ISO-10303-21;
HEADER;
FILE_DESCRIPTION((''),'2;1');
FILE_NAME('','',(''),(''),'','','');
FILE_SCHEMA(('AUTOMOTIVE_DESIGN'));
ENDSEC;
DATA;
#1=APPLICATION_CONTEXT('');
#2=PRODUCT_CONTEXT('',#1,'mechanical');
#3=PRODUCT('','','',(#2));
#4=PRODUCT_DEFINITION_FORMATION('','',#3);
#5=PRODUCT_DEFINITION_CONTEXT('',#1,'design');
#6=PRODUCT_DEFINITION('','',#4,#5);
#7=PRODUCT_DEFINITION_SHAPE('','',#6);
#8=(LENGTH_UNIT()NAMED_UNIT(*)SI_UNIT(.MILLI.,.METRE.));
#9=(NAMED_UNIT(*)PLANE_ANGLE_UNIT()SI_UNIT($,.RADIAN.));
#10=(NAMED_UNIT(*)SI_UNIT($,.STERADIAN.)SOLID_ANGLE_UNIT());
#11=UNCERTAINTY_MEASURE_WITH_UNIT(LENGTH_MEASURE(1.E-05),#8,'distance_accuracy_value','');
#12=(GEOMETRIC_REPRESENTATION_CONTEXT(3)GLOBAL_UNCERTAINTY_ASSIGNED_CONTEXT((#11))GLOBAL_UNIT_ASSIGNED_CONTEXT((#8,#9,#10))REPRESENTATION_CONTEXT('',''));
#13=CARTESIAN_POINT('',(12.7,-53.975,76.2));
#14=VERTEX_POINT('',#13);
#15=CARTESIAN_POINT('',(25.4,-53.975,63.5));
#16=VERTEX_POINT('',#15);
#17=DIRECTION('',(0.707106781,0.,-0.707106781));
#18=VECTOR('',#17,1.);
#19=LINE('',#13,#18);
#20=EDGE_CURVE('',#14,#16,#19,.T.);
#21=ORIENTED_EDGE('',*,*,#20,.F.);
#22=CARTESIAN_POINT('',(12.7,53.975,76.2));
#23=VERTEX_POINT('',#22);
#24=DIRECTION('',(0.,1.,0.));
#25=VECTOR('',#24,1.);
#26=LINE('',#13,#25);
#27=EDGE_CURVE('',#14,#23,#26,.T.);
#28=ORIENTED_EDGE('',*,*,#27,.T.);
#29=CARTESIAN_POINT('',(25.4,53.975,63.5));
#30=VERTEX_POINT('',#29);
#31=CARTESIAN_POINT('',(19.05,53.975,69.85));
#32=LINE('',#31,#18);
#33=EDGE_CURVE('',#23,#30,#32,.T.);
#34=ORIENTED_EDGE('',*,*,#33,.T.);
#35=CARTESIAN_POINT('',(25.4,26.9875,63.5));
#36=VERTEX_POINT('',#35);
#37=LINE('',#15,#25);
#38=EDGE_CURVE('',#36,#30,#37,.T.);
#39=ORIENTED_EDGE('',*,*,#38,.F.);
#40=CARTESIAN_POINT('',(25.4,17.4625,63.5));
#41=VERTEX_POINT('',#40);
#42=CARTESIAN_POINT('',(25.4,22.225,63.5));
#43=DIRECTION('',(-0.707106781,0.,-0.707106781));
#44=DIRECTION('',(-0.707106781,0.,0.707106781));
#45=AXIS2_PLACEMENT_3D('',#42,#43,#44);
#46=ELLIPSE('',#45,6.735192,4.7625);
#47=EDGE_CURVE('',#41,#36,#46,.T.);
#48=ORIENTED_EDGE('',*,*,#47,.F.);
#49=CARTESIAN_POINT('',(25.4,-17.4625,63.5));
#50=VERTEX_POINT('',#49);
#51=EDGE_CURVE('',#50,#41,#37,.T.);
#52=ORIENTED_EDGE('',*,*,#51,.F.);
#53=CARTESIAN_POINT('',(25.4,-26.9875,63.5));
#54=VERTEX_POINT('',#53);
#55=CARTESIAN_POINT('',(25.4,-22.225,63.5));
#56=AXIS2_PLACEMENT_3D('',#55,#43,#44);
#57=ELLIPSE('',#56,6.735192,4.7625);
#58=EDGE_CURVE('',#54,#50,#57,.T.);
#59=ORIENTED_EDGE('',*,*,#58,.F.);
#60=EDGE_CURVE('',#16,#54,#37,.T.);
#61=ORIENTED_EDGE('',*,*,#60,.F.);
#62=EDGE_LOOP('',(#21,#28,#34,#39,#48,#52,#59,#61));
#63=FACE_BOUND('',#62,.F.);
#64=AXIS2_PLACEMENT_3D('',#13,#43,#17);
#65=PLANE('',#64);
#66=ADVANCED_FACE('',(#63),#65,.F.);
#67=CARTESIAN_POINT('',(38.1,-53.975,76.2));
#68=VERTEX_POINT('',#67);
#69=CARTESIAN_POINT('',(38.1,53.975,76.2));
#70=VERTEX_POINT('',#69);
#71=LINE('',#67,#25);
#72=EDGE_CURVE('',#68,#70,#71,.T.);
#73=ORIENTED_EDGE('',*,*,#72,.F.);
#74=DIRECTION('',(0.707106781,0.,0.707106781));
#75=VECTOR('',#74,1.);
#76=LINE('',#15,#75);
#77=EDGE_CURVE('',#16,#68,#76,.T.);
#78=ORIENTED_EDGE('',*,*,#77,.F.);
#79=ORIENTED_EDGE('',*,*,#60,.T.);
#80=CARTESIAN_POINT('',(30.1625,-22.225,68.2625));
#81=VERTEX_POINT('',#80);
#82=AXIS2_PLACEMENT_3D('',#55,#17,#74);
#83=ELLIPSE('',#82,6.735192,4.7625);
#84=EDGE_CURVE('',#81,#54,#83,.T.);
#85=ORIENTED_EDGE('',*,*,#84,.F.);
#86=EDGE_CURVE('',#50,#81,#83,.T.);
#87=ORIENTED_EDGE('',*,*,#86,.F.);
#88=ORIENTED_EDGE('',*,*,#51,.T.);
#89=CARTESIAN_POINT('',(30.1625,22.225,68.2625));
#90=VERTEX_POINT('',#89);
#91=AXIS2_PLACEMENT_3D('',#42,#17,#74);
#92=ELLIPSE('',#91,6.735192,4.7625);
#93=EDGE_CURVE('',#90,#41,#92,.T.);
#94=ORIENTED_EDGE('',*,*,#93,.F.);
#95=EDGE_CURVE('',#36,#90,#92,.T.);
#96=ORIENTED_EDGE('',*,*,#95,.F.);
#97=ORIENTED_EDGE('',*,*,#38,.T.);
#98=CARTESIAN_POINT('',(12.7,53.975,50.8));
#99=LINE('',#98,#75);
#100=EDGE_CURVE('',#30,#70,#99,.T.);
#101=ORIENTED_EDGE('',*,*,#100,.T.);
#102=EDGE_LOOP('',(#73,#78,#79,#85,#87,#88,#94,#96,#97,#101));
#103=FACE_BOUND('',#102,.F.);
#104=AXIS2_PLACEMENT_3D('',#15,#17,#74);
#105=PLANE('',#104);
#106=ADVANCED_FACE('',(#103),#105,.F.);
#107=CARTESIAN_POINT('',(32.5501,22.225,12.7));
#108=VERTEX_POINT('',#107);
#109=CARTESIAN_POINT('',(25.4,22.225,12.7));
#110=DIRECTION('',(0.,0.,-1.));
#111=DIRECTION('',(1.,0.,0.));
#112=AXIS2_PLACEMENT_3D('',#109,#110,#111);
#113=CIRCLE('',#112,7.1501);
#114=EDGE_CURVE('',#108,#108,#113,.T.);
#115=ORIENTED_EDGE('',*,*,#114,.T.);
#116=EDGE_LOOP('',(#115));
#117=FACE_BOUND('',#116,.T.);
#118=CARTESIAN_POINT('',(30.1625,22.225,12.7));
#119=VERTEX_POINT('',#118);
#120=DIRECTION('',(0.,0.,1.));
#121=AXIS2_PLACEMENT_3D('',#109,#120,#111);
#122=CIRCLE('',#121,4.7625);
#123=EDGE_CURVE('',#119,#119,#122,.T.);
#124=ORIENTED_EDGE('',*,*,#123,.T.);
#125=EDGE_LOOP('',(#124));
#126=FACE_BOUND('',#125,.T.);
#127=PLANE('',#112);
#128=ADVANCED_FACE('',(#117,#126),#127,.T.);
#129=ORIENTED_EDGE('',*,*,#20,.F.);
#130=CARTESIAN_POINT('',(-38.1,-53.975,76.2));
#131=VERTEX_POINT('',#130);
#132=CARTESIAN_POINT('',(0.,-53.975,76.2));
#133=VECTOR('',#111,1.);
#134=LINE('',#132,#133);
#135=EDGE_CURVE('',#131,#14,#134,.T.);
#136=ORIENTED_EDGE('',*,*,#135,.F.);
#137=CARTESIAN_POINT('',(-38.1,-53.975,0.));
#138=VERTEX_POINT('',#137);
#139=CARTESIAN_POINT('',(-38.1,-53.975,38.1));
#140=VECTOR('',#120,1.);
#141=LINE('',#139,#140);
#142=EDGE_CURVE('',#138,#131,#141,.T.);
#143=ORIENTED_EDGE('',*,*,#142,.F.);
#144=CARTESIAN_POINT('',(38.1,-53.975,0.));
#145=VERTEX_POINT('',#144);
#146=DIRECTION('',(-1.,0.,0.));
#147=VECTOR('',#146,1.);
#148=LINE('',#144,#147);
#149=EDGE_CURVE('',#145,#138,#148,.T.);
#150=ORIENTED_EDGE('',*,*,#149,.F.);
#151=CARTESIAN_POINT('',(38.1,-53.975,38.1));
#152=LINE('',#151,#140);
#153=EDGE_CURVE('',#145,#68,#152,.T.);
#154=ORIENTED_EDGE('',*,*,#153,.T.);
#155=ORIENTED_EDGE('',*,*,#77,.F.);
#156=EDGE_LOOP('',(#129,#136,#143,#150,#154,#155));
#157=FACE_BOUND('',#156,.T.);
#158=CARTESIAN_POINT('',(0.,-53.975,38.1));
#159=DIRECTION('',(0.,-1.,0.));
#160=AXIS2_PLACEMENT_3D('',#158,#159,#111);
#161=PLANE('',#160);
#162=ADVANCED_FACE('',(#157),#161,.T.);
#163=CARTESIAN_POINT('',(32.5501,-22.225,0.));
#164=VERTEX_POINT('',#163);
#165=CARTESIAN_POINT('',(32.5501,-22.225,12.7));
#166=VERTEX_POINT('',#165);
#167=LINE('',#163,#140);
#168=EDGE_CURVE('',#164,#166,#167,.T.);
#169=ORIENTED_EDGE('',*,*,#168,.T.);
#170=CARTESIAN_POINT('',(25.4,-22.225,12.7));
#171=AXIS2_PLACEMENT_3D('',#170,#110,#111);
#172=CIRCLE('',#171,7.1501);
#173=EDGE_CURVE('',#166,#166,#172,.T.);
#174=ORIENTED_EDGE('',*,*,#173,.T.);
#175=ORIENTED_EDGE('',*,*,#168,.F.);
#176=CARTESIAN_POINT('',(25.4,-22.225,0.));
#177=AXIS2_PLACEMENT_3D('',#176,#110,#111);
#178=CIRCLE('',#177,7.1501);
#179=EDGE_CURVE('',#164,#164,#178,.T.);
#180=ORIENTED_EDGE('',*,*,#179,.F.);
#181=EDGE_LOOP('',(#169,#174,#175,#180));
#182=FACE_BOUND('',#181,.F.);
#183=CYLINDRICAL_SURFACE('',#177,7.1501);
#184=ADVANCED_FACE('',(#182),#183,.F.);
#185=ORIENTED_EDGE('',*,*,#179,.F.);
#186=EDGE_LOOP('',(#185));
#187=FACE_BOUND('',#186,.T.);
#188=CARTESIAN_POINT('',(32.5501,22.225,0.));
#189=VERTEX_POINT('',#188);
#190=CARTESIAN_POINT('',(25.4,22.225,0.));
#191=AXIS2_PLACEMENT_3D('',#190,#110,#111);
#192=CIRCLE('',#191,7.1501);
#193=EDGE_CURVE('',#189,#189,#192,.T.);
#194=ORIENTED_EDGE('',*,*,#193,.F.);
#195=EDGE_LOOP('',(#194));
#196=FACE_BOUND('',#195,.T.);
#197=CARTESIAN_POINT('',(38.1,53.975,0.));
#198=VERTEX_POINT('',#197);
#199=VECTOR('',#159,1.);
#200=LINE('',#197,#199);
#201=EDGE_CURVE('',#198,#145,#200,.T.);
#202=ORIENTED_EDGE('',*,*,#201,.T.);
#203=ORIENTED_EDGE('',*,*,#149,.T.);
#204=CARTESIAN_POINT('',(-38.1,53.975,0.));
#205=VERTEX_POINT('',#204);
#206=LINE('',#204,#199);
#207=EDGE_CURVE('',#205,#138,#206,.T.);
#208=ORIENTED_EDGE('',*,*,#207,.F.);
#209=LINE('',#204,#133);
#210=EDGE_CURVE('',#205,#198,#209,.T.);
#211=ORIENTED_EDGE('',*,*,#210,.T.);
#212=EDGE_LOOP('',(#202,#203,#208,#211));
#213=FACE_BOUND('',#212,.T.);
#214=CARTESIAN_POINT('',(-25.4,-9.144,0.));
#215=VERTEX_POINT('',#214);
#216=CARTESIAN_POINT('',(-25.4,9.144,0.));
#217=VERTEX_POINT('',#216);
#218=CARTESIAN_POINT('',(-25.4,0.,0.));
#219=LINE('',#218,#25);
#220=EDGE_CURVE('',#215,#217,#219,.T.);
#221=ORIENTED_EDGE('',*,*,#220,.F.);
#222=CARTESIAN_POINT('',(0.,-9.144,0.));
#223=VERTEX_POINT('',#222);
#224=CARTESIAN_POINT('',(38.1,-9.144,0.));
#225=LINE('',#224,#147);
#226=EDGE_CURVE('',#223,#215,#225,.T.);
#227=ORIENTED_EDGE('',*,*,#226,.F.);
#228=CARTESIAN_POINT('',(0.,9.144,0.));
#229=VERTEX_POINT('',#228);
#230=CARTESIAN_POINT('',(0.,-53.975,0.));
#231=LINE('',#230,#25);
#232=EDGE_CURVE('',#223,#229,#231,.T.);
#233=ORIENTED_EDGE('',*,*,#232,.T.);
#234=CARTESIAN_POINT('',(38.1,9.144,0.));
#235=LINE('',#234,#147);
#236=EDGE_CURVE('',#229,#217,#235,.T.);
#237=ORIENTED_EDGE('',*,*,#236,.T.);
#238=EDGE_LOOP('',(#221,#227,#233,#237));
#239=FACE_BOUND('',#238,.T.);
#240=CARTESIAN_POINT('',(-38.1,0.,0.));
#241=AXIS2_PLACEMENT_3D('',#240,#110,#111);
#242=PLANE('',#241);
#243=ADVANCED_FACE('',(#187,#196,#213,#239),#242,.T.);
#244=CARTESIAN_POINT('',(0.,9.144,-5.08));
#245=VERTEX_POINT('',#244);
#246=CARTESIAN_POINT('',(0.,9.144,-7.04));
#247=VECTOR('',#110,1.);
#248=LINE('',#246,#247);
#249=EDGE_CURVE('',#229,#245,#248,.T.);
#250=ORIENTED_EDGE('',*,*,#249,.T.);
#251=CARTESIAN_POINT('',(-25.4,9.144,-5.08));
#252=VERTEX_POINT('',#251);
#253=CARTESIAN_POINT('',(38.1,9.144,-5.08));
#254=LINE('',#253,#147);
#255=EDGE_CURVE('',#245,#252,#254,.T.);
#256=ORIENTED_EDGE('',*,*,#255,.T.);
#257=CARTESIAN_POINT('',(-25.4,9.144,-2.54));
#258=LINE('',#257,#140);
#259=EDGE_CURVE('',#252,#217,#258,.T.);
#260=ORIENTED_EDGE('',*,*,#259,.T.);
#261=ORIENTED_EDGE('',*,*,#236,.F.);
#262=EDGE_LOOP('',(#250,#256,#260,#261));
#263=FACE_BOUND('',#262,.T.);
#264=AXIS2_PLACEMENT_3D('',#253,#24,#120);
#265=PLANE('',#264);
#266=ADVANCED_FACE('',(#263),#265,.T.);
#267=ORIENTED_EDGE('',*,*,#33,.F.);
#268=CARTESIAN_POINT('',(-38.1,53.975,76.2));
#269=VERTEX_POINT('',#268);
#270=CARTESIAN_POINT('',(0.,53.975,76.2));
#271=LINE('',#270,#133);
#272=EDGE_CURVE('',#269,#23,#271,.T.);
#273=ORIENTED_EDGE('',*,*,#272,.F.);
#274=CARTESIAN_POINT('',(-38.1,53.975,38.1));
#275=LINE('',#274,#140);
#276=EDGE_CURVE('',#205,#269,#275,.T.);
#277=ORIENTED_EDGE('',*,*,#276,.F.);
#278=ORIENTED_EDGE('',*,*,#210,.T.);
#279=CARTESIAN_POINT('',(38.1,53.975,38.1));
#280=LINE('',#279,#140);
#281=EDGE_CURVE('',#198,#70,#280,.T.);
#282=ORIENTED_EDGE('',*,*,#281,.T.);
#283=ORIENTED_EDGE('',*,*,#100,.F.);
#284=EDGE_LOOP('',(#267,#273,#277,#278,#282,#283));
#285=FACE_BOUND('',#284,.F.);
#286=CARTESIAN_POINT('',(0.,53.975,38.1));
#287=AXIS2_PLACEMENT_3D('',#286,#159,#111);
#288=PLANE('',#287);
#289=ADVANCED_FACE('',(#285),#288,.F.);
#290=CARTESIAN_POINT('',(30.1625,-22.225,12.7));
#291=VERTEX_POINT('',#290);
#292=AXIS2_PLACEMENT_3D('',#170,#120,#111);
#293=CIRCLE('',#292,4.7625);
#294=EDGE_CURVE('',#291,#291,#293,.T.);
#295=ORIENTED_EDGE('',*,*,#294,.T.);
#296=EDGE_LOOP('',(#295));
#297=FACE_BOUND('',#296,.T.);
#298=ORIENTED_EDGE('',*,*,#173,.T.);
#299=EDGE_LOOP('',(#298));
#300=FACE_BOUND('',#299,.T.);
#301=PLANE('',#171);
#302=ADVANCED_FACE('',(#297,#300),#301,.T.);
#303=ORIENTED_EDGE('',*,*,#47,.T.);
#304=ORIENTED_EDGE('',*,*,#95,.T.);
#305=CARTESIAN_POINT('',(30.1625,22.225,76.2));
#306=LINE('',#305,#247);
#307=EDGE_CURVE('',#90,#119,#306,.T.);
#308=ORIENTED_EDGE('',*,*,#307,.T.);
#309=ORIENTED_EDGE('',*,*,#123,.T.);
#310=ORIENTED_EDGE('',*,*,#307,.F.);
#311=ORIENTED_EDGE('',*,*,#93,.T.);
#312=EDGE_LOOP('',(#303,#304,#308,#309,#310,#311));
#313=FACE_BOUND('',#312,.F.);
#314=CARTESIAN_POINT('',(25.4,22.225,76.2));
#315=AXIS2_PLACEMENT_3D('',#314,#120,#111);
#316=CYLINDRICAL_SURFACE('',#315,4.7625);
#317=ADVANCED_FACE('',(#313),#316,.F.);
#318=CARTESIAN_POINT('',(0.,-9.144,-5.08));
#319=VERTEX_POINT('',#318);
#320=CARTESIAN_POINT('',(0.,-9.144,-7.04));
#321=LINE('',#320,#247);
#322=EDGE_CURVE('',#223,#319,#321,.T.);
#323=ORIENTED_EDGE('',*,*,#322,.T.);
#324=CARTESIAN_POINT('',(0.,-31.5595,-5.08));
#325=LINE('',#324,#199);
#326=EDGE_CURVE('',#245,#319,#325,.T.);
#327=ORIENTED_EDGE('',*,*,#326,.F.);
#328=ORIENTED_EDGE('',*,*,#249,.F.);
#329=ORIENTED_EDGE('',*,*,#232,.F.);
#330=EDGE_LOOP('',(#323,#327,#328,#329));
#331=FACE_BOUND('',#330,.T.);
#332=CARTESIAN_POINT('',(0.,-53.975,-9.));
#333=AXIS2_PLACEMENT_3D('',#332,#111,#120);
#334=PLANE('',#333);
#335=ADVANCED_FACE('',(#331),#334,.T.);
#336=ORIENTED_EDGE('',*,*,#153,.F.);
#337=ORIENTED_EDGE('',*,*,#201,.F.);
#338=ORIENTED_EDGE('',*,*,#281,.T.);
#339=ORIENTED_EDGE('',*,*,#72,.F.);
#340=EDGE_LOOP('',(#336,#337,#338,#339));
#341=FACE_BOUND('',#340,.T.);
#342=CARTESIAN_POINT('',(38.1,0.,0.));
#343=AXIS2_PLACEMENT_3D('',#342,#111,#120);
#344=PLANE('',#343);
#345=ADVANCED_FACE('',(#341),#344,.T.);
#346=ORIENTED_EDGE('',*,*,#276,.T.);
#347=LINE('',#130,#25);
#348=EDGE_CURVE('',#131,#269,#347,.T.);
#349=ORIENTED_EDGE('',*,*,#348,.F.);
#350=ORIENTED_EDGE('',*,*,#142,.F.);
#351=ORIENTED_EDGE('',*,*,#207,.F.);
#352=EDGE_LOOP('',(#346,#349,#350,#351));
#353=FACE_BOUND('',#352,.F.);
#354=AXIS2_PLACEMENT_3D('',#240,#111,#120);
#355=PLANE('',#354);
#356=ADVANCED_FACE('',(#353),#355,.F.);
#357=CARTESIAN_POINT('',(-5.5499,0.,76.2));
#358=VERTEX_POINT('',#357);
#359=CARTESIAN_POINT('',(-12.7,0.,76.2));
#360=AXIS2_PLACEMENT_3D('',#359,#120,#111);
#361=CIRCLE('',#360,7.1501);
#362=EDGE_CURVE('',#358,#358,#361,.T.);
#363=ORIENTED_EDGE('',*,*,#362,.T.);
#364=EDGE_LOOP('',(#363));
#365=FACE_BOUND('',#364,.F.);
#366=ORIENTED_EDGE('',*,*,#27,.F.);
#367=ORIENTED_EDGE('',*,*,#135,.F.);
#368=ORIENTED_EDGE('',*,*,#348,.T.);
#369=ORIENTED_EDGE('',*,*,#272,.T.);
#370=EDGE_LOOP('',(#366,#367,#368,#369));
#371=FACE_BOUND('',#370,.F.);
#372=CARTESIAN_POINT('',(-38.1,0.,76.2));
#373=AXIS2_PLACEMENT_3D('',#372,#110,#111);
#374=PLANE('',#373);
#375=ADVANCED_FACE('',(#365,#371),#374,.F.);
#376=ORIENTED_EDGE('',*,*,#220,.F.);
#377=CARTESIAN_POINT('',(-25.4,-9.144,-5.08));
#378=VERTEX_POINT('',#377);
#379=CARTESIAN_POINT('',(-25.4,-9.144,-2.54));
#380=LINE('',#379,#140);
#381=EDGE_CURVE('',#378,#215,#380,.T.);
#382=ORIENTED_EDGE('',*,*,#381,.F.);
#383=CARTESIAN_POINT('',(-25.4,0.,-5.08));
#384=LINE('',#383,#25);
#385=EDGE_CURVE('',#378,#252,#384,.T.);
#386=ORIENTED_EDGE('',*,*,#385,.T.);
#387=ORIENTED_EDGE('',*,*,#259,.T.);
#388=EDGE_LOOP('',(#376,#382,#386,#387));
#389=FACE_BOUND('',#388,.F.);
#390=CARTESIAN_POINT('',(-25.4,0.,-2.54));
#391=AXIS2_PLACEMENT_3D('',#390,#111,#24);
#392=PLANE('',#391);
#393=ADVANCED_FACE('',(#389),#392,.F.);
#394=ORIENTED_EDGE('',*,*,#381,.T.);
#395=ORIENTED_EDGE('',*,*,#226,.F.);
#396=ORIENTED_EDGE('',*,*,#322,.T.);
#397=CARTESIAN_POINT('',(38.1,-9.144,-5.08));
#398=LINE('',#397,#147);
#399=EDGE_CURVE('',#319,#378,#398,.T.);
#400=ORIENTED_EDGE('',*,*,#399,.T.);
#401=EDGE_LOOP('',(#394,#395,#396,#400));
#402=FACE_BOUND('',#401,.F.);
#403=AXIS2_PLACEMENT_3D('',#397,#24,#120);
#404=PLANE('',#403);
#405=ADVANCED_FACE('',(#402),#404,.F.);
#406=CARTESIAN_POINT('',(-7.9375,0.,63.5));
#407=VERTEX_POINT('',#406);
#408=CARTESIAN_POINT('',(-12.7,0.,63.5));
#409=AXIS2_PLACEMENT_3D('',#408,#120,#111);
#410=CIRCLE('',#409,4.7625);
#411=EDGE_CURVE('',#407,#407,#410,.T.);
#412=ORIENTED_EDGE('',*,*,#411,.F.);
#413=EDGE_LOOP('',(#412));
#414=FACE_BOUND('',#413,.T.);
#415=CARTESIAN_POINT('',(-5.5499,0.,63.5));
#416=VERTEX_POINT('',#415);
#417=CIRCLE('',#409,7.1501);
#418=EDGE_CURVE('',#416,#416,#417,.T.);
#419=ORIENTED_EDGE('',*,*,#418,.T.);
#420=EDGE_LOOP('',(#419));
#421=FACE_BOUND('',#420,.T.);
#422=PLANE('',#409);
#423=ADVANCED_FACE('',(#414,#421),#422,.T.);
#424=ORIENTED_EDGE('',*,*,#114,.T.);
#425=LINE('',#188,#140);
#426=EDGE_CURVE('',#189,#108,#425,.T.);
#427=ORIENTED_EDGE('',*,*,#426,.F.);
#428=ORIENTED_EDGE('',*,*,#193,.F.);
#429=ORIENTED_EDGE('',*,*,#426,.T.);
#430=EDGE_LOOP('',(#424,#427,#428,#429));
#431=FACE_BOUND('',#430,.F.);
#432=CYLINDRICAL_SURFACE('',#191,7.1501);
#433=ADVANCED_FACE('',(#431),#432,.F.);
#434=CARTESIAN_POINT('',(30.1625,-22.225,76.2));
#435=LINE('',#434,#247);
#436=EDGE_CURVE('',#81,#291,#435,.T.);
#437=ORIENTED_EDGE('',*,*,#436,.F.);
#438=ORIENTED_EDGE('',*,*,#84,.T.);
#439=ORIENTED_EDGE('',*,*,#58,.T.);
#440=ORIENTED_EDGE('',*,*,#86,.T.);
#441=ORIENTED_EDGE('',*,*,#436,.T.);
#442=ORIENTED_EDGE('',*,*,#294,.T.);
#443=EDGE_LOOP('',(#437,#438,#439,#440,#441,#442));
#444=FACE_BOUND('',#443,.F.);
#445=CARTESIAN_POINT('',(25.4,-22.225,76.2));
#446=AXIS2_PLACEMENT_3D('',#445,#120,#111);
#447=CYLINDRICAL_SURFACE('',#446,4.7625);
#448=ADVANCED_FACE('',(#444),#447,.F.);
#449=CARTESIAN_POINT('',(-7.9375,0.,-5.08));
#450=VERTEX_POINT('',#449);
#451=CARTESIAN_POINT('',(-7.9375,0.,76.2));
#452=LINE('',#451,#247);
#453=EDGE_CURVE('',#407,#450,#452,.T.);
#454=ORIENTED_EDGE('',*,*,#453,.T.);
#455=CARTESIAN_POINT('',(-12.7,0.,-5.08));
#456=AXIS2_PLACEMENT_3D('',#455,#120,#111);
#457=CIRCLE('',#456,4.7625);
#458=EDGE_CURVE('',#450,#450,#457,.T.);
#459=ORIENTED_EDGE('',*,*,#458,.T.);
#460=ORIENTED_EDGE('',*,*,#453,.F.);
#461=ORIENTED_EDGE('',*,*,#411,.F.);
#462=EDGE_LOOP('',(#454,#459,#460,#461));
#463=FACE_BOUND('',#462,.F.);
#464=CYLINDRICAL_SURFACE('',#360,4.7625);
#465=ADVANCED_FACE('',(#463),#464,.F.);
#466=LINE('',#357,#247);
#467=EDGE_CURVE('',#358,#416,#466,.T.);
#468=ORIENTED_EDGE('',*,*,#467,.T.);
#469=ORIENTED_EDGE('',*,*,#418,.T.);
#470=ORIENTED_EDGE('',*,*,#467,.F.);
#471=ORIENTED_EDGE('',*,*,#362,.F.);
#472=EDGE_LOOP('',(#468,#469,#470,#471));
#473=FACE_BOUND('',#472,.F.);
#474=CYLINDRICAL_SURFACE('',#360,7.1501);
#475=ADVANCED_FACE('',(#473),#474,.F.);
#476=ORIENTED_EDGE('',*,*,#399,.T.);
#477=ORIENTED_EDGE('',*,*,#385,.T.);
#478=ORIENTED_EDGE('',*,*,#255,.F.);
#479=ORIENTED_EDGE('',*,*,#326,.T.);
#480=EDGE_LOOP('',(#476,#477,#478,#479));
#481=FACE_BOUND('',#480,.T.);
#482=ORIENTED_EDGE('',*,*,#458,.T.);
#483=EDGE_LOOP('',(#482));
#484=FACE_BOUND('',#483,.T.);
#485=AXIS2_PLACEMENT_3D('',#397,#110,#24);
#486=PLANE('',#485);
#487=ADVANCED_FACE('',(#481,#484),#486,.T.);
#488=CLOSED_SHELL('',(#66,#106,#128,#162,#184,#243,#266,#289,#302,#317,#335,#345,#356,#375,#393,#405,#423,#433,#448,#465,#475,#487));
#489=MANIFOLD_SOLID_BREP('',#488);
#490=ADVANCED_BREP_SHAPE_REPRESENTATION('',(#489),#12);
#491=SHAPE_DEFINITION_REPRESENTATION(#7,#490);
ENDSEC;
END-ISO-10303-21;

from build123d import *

# Parameters (mm, degrees)
F0_W      = 76.2
F0_H      = 76.2
F1_DEPTH  = 53.975
F3_DEPTH  = 107.951
F5_W      = 18.288
F5_H      = 5.08
F6_DEPTH  = 63.5
F4_R      = 4.7625
F7_DEPTH  = 81.281
F8_R      = 7.1501
F9_DEPTH  = 12.7
F10_R     = 7.1501
F11_DEPTH = 12.7
F12_W     = 38.1
F12_H     = 9
F13_DEPTH = 107.951


with BuildPart() as f1:
    # F0 (on Front) → F1 (new body, symmetric)
    with BuildSketch(Plane.XZ):
        with Locations((0, 38.1)):
            Rectangle(F0_W, F0_H)
    extrude(amount=F1_DEPTH, both=True)

    # F2 (on face) → F3 (cut, through all)
    with BuildSketch(Plane.XZ.offset(53.975)):
        Polygon((38.1, 76.2), (12.7, 76.2), (25.4, 63.5), align=None)
    extrude(amount=-F3_DEPTH, mode=Mode.SUBTRACT)

    # F5 (on face) → F6 (join)
    with BuildSketch(Plane.YZ.offset(38.1)):
        with Locations((0, -2.54)):
            Rectangle(F5_W, F5_H)
    extrude(amount=-F6_DEPTH)

    # F4 (on face) → F7 (cut, through all)
    with BuildSketch(Plane.XY.offset(76.2)):
        with Locations((25.4, 22.225)):
            Circle(F4_R)
        with Locations((25.4, -22.225)):
            Circle(F4_R)
        with Locations((-12.7, 0)):
            Circle(F4_R)
    extrude(amount=-F7_DEPTH, mode=Mode.SUBTRACT)

    # F8 (on face) → F9 (cut)
    with BuildSketch(Plane(origin=(0, 0, 0), x_dir=(1, 0, 0), z_dir=(0, 0, -1))):
        with Locations((25.4, -22.225)):
            Circle(F8_R)
        with Locations((25.4, 22.225)):
            Circle(F8_R)
    extrude(amount=-F9_DEPTH, mode=Mode.SUBTRACT)

    # F10 (on face) → F11 (cut)
    with BuildSketch(Plane.XY.offset(76.2)):
        with Locations((-12.7, 0)):
            Circle(F10_R)
    extrude(amount=-F11_DEPTH, mode=Mode.SUBTRACT)

    # F12 (on face) → F13 (cut, through all)
    with BuildSketch(Plane.XZ.offset(53.975)):
        with Locations((19.05, -4.5)):
            Rectangle(F12_W, F12_H)
    extrude(amount=-F13_DEPTH, mode=Mode.SUBTRACT)


solid = f1.part
